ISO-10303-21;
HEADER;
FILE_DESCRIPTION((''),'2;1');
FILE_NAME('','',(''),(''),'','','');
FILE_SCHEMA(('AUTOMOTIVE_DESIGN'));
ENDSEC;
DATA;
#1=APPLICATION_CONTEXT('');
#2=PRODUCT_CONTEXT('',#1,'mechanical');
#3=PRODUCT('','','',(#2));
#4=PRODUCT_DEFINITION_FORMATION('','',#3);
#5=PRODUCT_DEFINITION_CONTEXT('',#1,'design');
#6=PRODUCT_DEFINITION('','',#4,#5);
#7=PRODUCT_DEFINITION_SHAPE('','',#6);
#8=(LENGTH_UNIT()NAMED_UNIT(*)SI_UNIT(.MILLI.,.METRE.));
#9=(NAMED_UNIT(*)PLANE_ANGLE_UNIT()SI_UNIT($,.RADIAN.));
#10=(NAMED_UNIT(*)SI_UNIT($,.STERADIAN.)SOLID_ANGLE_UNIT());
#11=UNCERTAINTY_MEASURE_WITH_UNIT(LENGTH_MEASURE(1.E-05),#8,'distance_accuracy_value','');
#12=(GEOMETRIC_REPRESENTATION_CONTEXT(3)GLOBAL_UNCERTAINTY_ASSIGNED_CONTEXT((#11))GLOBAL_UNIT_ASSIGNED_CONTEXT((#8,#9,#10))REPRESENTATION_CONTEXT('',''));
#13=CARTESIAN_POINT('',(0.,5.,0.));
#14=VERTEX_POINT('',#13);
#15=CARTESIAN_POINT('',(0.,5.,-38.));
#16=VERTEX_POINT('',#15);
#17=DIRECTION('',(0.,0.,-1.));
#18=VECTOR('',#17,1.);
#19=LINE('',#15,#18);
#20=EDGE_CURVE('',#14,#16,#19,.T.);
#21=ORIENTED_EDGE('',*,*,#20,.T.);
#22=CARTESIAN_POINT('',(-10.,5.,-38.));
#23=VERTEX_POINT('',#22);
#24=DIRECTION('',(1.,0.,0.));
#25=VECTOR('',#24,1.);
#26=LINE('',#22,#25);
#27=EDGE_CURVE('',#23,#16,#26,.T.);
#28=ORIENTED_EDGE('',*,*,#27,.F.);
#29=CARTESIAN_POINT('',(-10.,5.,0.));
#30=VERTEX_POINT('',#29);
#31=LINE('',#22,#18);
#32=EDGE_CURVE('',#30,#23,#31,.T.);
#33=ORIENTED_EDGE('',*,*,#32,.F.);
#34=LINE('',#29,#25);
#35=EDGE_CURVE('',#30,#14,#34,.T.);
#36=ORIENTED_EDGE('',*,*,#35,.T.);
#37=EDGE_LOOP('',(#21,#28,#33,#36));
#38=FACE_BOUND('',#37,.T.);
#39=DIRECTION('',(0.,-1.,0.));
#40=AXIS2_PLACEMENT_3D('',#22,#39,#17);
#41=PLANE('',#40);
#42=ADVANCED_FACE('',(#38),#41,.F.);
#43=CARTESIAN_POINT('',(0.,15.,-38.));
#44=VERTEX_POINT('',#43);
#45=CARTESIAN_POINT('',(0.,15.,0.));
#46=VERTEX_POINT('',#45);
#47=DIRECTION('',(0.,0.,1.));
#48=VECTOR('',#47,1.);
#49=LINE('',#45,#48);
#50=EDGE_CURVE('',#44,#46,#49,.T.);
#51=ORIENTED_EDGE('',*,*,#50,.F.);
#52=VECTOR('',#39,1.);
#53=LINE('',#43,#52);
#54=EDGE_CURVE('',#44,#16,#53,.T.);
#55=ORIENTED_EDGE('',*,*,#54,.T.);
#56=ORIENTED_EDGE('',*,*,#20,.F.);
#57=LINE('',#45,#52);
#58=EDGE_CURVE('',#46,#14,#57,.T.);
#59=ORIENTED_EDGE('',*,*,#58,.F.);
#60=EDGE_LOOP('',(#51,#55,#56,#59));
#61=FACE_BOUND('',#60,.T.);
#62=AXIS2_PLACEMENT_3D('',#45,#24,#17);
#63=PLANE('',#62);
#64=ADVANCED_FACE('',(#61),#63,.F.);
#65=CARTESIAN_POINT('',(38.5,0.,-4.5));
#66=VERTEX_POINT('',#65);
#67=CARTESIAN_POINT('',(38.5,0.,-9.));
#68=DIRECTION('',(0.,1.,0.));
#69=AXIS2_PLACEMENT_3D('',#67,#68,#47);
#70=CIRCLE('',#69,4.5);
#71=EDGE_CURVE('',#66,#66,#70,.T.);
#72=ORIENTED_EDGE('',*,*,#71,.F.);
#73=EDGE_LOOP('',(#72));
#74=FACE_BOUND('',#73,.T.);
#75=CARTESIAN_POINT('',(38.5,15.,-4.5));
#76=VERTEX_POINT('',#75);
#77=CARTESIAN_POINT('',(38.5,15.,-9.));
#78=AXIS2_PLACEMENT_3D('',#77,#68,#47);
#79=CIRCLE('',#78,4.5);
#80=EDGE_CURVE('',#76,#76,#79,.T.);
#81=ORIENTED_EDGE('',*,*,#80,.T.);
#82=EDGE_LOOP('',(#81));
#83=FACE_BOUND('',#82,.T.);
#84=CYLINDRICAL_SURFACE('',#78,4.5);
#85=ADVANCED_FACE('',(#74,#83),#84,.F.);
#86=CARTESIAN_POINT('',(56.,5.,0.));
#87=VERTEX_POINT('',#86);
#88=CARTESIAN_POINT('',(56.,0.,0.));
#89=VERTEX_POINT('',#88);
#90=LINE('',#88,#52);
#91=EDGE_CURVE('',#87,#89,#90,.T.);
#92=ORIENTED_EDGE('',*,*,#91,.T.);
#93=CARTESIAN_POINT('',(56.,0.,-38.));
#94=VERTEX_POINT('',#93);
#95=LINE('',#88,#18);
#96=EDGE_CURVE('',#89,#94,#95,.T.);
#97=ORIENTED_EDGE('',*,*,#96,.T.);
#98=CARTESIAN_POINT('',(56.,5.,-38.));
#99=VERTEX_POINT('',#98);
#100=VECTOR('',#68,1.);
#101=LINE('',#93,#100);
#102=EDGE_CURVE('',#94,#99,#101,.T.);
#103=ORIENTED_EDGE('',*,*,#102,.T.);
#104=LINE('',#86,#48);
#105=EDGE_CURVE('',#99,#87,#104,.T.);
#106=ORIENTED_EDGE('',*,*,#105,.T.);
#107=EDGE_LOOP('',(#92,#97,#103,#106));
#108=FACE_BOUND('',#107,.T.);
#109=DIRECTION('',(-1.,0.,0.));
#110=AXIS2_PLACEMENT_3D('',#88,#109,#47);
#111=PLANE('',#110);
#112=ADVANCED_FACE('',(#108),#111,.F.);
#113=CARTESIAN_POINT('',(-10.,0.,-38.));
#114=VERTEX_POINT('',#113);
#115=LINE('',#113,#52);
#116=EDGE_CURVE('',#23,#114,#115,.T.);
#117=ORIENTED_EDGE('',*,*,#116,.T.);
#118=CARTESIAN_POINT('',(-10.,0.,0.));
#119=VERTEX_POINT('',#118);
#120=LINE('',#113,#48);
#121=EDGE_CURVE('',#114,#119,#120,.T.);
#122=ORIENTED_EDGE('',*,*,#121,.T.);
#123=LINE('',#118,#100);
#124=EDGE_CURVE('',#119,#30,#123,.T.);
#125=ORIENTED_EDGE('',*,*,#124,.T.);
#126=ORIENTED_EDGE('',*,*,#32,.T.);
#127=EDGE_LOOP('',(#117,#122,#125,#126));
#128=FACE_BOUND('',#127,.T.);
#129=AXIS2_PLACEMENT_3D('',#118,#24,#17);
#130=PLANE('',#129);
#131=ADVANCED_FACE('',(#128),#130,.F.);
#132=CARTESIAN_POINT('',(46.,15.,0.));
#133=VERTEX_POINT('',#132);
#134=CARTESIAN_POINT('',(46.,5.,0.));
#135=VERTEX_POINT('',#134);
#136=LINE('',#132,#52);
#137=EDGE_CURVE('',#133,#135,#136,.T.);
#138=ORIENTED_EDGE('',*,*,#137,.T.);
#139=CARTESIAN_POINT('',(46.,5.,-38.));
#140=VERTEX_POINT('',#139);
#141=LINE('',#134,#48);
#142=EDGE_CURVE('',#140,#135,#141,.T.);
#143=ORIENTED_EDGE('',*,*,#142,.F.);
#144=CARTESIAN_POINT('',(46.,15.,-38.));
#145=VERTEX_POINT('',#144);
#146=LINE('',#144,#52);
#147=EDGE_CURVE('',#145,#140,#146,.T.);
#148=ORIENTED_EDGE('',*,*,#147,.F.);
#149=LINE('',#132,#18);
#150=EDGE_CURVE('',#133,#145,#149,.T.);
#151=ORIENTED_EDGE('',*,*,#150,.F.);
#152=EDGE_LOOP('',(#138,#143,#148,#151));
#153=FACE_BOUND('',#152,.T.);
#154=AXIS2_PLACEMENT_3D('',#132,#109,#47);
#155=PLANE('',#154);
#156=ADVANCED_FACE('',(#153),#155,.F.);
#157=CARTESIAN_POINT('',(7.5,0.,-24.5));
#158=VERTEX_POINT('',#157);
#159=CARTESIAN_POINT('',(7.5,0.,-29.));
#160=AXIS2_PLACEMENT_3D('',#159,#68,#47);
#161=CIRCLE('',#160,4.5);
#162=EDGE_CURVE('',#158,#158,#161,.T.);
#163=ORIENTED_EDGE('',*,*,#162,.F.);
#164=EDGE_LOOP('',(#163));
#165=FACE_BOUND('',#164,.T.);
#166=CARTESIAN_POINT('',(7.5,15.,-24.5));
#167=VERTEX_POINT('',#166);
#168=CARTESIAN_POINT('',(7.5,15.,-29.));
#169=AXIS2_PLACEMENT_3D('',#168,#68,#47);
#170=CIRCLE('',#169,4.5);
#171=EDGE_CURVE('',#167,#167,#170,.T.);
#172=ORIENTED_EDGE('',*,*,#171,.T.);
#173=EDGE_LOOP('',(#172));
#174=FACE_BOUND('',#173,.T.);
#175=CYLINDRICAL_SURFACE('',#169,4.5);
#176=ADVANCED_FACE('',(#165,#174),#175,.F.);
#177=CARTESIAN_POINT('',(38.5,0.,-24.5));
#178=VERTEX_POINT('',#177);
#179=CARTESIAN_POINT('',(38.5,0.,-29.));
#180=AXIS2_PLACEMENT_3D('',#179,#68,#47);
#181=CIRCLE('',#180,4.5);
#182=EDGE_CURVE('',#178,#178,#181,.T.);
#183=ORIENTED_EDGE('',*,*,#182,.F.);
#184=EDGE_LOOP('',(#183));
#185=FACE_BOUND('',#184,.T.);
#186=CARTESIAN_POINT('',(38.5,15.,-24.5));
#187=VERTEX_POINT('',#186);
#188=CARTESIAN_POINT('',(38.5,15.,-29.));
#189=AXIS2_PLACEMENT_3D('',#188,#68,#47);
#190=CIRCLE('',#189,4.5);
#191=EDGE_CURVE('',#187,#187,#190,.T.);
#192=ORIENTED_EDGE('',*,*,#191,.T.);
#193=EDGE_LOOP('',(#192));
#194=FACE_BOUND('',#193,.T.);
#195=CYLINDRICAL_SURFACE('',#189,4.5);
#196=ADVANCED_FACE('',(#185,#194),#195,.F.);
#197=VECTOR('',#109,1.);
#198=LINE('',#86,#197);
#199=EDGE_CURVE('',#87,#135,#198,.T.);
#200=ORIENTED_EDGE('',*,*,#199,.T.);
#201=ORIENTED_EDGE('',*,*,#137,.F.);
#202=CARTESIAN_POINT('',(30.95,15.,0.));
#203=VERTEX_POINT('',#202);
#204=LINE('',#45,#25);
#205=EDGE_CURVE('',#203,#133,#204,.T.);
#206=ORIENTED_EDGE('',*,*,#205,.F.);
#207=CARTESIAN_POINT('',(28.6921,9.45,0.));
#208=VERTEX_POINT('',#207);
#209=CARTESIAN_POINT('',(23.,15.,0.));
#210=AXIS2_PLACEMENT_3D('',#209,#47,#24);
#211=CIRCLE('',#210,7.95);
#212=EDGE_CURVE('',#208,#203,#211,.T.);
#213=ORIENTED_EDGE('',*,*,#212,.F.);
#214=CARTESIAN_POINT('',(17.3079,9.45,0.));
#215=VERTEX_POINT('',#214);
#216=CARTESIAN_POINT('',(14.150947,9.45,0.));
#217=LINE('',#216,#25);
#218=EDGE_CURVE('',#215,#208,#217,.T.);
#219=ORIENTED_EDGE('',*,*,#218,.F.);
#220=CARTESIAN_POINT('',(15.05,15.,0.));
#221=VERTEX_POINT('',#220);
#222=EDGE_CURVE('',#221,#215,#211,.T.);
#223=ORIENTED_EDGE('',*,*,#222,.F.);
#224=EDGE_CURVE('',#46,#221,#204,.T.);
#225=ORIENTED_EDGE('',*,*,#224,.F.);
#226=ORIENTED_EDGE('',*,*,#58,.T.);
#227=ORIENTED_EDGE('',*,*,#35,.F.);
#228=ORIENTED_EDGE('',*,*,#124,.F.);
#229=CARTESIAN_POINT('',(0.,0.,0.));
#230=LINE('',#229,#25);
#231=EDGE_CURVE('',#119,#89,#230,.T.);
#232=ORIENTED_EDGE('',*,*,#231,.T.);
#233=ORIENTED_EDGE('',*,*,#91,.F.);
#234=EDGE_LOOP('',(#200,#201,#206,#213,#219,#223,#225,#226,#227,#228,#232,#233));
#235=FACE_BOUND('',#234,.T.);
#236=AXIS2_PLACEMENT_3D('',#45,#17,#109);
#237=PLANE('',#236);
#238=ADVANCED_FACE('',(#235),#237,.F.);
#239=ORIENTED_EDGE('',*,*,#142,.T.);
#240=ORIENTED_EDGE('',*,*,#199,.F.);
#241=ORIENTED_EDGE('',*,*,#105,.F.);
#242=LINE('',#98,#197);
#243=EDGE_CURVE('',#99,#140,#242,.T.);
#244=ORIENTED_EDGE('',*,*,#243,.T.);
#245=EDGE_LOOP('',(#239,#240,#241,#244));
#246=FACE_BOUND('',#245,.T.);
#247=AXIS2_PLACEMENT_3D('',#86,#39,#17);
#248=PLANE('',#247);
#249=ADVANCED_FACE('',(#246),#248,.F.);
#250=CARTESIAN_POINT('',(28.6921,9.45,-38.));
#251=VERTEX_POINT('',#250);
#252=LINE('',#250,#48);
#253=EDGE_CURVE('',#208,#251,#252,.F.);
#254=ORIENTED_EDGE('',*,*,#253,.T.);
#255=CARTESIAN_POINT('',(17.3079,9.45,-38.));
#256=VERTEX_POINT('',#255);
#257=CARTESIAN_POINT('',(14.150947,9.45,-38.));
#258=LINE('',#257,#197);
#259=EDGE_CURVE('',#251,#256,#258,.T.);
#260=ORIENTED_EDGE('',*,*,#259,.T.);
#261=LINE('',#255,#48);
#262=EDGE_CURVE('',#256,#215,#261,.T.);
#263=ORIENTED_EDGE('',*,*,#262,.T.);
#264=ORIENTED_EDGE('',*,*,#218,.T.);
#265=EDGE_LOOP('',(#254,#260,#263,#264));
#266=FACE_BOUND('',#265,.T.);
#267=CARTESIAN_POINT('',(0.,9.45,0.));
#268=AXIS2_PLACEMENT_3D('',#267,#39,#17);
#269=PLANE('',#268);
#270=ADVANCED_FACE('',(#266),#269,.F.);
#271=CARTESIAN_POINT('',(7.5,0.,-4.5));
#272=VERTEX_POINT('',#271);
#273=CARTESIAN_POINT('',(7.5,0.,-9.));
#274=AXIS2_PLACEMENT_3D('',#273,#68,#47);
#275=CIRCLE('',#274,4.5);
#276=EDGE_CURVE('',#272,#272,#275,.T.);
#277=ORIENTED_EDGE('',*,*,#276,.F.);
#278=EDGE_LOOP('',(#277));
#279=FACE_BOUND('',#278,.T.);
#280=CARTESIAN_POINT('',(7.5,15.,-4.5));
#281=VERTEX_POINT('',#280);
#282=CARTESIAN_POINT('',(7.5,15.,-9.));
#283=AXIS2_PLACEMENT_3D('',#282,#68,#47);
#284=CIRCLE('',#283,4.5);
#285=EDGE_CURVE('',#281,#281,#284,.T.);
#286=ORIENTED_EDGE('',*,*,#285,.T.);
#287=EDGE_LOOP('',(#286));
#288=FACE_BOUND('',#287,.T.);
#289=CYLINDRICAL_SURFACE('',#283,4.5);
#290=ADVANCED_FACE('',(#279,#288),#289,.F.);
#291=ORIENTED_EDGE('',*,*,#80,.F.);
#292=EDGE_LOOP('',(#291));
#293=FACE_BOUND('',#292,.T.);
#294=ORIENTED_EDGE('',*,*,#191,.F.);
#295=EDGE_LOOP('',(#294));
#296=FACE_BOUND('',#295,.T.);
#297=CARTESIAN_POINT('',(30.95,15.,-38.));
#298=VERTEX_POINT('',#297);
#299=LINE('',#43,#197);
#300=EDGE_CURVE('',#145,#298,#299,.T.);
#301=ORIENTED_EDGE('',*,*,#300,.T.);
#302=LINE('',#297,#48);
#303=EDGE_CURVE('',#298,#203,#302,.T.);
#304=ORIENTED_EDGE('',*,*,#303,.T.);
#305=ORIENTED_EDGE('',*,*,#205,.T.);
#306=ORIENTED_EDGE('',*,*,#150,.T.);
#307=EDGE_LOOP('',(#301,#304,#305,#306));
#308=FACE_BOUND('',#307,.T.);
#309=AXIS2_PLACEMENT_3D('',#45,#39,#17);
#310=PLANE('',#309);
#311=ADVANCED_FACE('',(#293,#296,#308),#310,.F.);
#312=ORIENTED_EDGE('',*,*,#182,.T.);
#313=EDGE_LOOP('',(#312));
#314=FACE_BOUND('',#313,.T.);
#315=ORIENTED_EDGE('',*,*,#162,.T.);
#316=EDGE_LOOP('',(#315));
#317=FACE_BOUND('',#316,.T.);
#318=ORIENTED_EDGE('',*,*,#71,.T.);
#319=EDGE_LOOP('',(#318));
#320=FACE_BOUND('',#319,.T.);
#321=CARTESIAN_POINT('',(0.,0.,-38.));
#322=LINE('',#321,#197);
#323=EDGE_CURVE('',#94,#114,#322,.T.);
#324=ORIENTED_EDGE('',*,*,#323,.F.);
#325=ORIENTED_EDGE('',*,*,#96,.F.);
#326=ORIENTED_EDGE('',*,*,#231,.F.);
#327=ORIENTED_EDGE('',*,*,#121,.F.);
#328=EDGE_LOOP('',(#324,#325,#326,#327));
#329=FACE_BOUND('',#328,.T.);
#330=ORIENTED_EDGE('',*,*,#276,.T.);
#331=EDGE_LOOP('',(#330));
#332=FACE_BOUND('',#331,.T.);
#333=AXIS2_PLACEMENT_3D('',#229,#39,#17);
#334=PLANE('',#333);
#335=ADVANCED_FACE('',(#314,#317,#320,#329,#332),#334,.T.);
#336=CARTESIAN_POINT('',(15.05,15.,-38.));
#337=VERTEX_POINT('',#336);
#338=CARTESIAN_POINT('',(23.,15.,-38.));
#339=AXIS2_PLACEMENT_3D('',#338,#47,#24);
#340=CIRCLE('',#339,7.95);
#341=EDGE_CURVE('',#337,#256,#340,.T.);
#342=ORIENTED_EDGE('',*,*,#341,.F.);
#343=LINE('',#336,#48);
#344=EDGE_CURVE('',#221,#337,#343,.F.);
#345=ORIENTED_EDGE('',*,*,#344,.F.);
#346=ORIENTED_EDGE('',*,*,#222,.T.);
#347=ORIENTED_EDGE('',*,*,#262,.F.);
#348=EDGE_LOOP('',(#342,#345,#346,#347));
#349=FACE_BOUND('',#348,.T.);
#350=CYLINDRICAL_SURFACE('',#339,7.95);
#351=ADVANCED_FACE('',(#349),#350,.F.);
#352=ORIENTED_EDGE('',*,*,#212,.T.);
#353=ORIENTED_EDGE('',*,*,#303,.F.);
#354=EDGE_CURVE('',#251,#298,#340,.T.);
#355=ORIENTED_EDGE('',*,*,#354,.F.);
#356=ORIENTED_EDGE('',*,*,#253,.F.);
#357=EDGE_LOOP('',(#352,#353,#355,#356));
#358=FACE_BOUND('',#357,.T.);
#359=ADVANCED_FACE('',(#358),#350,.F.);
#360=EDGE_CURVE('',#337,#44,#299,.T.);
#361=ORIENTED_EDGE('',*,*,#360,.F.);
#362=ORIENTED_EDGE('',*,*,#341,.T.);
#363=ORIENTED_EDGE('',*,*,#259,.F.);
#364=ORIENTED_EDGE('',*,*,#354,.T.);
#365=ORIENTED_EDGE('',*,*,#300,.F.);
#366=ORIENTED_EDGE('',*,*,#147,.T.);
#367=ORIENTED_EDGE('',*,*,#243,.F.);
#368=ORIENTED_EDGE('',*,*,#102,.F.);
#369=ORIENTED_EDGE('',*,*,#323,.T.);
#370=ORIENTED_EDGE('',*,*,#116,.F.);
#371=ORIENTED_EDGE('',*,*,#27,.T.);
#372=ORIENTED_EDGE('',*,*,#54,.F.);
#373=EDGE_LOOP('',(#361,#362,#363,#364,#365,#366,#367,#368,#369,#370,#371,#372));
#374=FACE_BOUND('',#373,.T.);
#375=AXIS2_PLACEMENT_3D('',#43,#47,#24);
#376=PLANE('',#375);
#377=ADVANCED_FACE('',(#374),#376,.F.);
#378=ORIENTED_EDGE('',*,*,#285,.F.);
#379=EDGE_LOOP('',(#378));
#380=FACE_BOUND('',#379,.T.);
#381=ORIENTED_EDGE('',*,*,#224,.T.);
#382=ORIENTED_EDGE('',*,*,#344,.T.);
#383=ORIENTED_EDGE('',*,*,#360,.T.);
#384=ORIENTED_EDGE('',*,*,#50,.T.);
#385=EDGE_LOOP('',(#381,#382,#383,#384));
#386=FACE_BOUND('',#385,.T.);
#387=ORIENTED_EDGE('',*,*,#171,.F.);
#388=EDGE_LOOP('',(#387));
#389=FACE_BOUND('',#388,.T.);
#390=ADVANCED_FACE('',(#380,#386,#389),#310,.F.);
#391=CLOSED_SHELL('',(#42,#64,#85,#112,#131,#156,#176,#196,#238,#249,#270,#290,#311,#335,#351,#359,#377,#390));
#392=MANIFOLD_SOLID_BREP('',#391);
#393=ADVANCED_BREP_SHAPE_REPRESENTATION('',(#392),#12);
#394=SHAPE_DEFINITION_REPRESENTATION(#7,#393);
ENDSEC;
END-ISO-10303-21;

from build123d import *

# Parameters (mm, degrees)
SKETCH1_W              = 46
SKETCH1_H              = 38
BOSS_EXTRUDE1_DEPTH    = 15
M10X1_0_TAPPED_HOLE1_D = 9
SKETCH7_R              = 7.95
CUT_EXTRUDE1_DEPTH     = 62.522353661
SKETCH17_W             = 38
SKETCH17_H             = 5
BOSS_EXTRUDE2_DEPTH    = 10
SKETCH18_W             = 38
SKETCH18_H             = 5
BOSS_EXTRUDE3_DEPTH    = 10
SKETCH24_W             = 18.029816061
SKETCH24_H             = 38
BOSS_EXTRUDE4_DEPTH    = 6


with BuildPart() as part:
    # Sketch1 → Boss-Extrude1 (new body)
    with BuildSketch(Plane(origin=(0, 0, 0), x_dir=(1, 0, 0), z_dir=(0, 1, 0))):
        with Locations((23, 19)):
            Rectangle(SKETCH1_W, SKETCH1_H)
    extrude(amount=BOSS_EXTRUDE1_DEPTH)

    # M10x1.0 Tapped Hole1 (through all)
    with Locations(Plane(origin=(0, 15, 0), x_dir=(1, 0, 0), z_dir=(0, 1, 0))):
        with Locations((7.5, 29), (38.5, 29), (38.5, 9), (7.5, 9)):
            Hole(M10X1_0_TAPPED_HOLE1_D / 2)

    # Sketch7 → Cut-Extrude1 (cut, through all)
    with BuildSketch(Plane.XY):
        with Locations((23, 15)):
            Circle(SKETCH7_R)
    extrude(amount=-CUT_EXTRUDE1_DEPTH, mode=Mode.SUBTRACT)

    # Sketch17 → Boss-Extrude2 (add)
    with BuildSketch(Plane(origin=(46, 0, 0), x_dir=(0, 0, -1), z_dir=(1, 0, 0))):
        with Locations((19, 2.5)):
            Rectangle(SKETCH17_W, SKETCH17_H)
    extrude(amount=BOSS_EXTRUDE2_DEPTH)

    # Sketch18 → Boss-Extrude3 (add)
    with BuildSketch(Plane.ZY):
        with Locations((-19, 2.5)):
            Rectangle(SKETCH18_W, SKETCH18_H)
    extrude(amount=BOSS_EXTRUDE3_DEPTH)

    # Sketch24 → Boss-Extrude4 (add)
    with BuildSketch(Plane(origin=(0, 9.45, 0), x_dir=(1, 0, 0), z_dir=(0, 1, 0))):
        with Locations((23.165854861, 19)):
            Rectangle(SKETCH24_W, SKETCH24_H)
    extrude(amount=-BOSS_EXTRUDE4_DEPTH)


solid = part.part
